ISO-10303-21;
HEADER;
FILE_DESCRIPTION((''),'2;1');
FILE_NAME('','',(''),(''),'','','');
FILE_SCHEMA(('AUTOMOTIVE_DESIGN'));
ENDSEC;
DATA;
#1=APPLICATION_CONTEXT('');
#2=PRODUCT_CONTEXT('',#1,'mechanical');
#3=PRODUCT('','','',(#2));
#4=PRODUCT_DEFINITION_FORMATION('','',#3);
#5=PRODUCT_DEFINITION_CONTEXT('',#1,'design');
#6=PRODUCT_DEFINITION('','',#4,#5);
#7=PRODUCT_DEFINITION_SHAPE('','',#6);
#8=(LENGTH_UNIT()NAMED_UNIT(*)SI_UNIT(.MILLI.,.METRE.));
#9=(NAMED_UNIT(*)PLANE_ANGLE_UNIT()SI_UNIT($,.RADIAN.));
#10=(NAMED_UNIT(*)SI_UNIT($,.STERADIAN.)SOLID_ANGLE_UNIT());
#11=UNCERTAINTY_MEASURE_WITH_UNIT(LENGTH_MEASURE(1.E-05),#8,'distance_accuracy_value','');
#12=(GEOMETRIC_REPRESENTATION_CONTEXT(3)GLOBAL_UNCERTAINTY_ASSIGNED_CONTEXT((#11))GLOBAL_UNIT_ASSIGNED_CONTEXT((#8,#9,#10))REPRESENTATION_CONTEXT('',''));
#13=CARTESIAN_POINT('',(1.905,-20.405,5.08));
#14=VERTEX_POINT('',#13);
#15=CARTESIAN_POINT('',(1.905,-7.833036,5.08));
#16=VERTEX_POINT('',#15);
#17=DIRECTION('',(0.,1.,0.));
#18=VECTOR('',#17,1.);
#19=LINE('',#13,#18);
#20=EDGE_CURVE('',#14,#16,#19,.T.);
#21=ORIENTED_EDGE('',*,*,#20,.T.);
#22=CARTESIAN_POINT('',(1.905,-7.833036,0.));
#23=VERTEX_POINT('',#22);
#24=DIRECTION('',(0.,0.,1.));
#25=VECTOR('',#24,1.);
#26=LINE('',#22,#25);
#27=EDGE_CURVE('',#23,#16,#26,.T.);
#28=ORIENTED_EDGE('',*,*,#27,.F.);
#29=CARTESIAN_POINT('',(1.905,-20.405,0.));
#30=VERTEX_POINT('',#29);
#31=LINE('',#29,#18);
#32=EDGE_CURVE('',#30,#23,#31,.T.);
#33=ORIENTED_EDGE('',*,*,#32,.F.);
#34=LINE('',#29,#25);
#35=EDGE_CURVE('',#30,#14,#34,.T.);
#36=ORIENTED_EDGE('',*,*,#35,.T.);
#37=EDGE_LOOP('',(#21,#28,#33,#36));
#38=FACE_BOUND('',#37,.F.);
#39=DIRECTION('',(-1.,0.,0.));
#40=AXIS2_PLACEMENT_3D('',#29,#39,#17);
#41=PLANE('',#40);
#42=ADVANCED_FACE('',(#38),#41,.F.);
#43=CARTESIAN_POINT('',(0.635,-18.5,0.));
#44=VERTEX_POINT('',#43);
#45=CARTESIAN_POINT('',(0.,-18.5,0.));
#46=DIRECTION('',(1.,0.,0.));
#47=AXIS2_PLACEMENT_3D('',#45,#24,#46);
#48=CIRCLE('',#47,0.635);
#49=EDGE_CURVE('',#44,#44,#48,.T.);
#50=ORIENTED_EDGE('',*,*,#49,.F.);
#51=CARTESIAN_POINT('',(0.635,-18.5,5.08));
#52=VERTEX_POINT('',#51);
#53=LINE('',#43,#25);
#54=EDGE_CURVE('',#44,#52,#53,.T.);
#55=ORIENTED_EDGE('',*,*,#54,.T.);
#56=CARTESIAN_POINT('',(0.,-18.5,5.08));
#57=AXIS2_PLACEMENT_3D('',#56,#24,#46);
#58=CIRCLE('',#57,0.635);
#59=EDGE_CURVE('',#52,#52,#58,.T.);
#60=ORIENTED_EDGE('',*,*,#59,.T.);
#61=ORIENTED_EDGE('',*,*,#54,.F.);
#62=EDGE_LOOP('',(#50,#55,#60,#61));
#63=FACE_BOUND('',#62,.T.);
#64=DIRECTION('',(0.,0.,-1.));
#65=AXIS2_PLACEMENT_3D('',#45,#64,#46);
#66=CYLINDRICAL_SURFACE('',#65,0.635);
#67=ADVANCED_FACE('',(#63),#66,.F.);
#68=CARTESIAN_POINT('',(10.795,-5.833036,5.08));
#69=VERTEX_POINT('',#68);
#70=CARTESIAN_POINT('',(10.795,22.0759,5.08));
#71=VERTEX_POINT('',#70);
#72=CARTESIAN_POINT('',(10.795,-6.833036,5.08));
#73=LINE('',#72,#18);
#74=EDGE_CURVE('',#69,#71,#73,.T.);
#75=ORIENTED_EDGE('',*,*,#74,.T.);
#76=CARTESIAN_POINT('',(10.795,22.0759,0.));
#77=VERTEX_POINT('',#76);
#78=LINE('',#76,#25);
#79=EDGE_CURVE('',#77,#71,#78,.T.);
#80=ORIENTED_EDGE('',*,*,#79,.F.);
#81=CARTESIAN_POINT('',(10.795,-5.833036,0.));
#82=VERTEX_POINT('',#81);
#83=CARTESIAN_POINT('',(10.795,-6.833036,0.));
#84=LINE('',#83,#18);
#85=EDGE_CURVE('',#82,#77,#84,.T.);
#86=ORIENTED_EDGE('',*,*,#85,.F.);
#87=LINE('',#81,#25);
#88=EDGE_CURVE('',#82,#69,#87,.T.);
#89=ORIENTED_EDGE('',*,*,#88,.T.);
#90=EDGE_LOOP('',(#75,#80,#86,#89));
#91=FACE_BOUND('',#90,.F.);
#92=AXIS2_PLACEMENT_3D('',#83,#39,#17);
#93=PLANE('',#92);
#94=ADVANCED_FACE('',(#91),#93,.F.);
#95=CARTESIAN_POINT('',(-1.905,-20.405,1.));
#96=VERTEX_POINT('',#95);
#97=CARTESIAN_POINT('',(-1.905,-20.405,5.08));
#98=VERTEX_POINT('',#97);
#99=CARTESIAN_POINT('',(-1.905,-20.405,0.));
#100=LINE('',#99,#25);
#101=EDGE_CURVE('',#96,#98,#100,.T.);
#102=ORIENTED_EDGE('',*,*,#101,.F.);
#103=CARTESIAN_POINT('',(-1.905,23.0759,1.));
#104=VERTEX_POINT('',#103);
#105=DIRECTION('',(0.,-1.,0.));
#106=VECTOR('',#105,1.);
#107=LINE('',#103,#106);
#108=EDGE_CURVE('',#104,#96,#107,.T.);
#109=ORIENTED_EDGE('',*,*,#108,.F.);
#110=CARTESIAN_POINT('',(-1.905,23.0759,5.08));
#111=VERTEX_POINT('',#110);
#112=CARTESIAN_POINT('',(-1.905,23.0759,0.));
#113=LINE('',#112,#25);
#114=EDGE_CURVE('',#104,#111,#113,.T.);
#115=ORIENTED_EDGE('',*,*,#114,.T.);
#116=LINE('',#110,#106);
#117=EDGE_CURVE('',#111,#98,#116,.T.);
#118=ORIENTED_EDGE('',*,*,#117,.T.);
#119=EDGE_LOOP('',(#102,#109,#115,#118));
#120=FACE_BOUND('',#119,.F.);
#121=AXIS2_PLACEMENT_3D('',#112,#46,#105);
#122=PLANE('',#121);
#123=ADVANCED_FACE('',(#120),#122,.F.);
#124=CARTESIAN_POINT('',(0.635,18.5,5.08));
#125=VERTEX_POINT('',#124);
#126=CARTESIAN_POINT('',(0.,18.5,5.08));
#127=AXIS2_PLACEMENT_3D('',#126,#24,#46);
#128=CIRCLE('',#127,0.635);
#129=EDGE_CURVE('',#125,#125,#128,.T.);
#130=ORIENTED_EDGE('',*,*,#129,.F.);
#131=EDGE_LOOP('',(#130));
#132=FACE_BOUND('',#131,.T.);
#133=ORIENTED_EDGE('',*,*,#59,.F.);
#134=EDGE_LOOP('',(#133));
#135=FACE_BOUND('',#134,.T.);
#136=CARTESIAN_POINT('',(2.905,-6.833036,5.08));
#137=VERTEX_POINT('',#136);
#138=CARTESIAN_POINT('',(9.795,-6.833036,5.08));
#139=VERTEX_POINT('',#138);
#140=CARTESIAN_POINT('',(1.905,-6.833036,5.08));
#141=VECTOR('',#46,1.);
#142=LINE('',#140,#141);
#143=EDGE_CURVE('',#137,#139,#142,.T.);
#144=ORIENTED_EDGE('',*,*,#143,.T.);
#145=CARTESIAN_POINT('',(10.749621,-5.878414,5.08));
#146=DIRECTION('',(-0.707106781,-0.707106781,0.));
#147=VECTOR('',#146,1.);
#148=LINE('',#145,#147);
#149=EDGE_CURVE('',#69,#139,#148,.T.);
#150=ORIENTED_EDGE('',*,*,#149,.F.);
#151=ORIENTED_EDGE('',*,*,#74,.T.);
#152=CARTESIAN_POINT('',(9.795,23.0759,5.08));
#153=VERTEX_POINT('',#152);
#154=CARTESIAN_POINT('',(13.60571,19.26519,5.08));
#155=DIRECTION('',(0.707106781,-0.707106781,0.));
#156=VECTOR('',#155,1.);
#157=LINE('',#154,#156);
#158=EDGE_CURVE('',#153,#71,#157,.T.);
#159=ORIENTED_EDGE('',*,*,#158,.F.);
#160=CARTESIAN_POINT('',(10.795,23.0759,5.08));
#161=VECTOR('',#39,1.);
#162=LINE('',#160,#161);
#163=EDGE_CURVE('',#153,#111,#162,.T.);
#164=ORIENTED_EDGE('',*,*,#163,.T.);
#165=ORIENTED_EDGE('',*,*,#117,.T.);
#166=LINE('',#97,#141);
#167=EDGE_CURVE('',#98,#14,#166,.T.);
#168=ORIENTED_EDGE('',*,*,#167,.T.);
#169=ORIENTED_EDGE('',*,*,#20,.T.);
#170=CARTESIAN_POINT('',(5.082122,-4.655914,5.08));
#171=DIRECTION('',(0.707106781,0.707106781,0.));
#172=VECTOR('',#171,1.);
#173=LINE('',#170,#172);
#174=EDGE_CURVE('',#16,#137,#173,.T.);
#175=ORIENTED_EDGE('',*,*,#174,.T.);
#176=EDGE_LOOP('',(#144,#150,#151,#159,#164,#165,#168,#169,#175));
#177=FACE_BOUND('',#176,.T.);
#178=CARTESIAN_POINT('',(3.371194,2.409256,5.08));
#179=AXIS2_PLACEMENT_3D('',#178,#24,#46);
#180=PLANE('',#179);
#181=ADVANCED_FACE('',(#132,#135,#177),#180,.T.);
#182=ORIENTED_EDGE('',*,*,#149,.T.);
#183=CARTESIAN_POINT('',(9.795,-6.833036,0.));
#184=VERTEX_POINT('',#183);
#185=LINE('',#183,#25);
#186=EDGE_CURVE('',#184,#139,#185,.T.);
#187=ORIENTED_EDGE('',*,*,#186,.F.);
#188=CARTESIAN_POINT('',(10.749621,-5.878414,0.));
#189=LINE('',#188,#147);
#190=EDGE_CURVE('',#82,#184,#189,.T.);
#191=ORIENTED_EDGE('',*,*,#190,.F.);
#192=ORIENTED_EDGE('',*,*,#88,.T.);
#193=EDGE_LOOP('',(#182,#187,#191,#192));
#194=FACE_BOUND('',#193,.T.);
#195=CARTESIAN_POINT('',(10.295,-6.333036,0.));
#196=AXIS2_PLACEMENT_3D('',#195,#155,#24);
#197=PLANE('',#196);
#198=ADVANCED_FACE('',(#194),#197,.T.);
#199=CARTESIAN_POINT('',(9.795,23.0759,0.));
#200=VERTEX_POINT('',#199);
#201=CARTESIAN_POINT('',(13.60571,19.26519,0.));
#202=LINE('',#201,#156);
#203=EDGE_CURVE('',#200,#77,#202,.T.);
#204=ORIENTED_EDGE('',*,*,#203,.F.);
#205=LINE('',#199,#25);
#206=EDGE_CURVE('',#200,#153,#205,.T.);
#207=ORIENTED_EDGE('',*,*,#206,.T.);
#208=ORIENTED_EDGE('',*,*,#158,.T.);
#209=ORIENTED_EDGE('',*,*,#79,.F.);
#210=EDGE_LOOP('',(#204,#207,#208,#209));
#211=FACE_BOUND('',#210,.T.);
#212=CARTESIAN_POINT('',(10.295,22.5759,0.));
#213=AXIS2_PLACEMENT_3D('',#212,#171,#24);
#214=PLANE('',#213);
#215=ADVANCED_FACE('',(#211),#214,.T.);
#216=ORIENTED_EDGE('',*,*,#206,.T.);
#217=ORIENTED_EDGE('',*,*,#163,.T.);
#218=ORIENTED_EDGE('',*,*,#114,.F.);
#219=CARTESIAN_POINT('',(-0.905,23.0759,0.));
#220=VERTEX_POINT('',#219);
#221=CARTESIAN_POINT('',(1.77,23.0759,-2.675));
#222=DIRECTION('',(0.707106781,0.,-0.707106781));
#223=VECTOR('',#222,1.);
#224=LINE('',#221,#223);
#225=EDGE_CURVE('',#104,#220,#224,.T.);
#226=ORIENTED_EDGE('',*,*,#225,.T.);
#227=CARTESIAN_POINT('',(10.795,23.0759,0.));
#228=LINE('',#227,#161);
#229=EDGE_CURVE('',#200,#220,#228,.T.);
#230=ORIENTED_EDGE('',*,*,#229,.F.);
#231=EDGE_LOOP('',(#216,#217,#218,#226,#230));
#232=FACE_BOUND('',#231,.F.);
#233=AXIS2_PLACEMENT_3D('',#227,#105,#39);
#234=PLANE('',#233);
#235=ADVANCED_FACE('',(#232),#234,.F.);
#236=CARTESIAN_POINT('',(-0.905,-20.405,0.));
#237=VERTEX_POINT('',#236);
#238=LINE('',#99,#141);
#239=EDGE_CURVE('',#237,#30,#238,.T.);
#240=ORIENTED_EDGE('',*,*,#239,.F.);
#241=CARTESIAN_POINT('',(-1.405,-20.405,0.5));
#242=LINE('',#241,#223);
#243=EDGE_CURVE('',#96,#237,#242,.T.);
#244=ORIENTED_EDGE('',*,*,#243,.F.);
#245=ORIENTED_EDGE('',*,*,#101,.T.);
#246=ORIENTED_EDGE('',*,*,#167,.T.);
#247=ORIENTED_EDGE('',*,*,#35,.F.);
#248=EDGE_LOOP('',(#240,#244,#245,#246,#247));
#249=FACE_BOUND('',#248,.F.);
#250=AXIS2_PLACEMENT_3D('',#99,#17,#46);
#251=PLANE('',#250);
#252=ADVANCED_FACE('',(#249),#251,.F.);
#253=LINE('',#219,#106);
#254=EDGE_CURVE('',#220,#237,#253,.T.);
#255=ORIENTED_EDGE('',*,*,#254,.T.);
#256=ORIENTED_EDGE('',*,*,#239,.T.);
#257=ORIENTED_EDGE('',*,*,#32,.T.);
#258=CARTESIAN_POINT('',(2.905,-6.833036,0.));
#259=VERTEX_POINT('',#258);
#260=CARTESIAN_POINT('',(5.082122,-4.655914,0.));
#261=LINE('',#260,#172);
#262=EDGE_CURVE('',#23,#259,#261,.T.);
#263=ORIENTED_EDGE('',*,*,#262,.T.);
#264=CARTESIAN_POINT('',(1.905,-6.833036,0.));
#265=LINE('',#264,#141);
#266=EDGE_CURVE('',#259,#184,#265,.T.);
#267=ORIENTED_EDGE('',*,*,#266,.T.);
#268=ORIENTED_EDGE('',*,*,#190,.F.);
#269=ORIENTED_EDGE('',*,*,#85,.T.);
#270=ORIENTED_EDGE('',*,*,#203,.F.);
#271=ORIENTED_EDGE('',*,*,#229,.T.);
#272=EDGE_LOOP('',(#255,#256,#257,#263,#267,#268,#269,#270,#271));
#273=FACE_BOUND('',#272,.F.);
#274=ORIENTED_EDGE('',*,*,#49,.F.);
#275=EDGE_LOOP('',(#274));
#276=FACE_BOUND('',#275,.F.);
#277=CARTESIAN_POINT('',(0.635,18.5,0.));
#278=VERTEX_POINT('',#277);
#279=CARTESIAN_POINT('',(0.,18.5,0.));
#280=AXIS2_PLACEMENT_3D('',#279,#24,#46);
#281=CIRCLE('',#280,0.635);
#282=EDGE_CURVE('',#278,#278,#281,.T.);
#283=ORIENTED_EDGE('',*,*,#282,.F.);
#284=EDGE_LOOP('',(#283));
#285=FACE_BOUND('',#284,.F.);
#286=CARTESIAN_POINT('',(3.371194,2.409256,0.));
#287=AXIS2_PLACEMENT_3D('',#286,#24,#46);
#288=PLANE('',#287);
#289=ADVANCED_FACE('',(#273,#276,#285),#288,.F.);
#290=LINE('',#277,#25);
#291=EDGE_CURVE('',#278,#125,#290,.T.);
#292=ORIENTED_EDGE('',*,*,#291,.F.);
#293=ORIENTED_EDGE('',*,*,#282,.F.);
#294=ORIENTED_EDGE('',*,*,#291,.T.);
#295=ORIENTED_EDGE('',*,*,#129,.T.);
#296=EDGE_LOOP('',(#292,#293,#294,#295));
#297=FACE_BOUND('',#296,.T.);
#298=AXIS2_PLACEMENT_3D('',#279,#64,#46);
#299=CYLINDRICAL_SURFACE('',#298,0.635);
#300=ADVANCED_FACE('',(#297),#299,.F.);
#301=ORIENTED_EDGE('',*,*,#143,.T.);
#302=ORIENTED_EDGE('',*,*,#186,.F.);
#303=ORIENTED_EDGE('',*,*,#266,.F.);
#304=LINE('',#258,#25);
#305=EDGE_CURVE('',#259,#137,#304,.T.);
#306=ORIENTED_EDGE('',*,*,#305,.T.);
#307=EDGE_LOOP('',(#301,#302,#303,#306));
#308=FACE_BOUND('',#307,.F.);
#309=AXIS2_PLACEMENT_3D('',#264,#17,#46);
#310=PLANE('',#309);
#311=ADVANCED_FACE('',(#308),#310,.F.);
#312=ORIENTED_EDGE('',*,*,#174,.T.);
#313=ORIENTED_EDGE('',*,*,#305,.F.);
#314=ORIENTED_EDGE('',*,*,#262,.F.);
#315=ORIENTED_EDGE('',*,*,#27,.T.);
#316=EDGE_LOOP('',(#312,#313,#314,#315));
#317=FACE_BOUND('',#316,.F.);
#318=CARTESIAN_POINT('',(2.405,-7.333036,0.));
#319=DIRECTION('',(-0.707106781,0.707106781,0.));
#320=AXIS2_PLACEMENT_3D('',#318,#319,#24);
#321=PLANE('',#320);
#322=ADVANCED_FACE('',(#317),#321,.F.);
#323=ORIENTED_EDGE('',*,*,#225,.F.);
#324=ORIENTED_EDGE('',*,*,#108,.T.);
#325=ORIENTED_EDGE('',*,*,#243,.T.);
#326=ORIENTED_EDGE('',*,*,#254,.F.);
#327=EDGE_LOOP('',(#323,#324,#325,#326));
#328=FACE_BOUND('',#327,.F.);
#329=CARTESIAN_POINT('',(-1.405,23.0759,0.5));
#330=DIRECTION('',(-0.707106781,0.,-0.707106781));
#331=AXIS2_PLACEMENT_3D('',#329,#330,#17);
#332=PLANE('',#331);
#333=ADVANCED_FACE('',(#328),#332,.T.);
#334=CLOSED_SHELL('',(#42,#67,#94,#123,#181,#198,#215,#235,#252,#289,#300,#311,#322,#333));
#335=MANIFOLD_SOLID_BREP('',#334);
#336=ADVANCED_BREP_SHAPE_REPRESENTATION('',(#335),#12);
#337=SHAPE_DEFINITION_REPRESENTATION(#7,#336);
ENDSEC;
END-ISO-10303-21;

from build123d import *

# Parameters (mm, degrees)
SKETCH_R        = 0.635
PAD_DEPTH       = 5.08
CHAMFER_SIZE    = 1
CHAMFER001_SIZE = 1


with BuildPart() as part:
    # Sketch → Pad (new body)
    with BuildSketch(Plane.XY):
        Polygon((-1.905, 23.0759), (-1.905, -20.405), (1.905, -20.405), (1.905, -6.833036), (10.795, -6.833036), (10.795, 23.0759), align=None)
        with Locations((0, 18.5)):
            Circle(SKETCH_R, mode=Mode.SUBTRACT)
        with Locations((0, -18.5)):
            Circle(SKETCH_R, mode=Mode.SUBTRACT)
    extrude(amount=PAD_DEPTH)

    # Chamfer
    chamfer_edges = [part.edges().sort_by_distance(p)[0] for p in [
        (-1.905, 1.33545, 0),
    ]]
    chamfer(chamfer_edges, length=CHAMFER_SIZE)

    # Chamfer001
    chamfer001_edges = [part.edges().sort_by_distance(p)[0] for p in [
        (1.905, -6.833036, 2.54),
        (10.795, -6.833036, 2.54),
        (10.795, 23.0759, 2.54),
    ]]
    chamfer(chamfer001_edges, length=CHAMFER001_SIZE)


solid = part.part
